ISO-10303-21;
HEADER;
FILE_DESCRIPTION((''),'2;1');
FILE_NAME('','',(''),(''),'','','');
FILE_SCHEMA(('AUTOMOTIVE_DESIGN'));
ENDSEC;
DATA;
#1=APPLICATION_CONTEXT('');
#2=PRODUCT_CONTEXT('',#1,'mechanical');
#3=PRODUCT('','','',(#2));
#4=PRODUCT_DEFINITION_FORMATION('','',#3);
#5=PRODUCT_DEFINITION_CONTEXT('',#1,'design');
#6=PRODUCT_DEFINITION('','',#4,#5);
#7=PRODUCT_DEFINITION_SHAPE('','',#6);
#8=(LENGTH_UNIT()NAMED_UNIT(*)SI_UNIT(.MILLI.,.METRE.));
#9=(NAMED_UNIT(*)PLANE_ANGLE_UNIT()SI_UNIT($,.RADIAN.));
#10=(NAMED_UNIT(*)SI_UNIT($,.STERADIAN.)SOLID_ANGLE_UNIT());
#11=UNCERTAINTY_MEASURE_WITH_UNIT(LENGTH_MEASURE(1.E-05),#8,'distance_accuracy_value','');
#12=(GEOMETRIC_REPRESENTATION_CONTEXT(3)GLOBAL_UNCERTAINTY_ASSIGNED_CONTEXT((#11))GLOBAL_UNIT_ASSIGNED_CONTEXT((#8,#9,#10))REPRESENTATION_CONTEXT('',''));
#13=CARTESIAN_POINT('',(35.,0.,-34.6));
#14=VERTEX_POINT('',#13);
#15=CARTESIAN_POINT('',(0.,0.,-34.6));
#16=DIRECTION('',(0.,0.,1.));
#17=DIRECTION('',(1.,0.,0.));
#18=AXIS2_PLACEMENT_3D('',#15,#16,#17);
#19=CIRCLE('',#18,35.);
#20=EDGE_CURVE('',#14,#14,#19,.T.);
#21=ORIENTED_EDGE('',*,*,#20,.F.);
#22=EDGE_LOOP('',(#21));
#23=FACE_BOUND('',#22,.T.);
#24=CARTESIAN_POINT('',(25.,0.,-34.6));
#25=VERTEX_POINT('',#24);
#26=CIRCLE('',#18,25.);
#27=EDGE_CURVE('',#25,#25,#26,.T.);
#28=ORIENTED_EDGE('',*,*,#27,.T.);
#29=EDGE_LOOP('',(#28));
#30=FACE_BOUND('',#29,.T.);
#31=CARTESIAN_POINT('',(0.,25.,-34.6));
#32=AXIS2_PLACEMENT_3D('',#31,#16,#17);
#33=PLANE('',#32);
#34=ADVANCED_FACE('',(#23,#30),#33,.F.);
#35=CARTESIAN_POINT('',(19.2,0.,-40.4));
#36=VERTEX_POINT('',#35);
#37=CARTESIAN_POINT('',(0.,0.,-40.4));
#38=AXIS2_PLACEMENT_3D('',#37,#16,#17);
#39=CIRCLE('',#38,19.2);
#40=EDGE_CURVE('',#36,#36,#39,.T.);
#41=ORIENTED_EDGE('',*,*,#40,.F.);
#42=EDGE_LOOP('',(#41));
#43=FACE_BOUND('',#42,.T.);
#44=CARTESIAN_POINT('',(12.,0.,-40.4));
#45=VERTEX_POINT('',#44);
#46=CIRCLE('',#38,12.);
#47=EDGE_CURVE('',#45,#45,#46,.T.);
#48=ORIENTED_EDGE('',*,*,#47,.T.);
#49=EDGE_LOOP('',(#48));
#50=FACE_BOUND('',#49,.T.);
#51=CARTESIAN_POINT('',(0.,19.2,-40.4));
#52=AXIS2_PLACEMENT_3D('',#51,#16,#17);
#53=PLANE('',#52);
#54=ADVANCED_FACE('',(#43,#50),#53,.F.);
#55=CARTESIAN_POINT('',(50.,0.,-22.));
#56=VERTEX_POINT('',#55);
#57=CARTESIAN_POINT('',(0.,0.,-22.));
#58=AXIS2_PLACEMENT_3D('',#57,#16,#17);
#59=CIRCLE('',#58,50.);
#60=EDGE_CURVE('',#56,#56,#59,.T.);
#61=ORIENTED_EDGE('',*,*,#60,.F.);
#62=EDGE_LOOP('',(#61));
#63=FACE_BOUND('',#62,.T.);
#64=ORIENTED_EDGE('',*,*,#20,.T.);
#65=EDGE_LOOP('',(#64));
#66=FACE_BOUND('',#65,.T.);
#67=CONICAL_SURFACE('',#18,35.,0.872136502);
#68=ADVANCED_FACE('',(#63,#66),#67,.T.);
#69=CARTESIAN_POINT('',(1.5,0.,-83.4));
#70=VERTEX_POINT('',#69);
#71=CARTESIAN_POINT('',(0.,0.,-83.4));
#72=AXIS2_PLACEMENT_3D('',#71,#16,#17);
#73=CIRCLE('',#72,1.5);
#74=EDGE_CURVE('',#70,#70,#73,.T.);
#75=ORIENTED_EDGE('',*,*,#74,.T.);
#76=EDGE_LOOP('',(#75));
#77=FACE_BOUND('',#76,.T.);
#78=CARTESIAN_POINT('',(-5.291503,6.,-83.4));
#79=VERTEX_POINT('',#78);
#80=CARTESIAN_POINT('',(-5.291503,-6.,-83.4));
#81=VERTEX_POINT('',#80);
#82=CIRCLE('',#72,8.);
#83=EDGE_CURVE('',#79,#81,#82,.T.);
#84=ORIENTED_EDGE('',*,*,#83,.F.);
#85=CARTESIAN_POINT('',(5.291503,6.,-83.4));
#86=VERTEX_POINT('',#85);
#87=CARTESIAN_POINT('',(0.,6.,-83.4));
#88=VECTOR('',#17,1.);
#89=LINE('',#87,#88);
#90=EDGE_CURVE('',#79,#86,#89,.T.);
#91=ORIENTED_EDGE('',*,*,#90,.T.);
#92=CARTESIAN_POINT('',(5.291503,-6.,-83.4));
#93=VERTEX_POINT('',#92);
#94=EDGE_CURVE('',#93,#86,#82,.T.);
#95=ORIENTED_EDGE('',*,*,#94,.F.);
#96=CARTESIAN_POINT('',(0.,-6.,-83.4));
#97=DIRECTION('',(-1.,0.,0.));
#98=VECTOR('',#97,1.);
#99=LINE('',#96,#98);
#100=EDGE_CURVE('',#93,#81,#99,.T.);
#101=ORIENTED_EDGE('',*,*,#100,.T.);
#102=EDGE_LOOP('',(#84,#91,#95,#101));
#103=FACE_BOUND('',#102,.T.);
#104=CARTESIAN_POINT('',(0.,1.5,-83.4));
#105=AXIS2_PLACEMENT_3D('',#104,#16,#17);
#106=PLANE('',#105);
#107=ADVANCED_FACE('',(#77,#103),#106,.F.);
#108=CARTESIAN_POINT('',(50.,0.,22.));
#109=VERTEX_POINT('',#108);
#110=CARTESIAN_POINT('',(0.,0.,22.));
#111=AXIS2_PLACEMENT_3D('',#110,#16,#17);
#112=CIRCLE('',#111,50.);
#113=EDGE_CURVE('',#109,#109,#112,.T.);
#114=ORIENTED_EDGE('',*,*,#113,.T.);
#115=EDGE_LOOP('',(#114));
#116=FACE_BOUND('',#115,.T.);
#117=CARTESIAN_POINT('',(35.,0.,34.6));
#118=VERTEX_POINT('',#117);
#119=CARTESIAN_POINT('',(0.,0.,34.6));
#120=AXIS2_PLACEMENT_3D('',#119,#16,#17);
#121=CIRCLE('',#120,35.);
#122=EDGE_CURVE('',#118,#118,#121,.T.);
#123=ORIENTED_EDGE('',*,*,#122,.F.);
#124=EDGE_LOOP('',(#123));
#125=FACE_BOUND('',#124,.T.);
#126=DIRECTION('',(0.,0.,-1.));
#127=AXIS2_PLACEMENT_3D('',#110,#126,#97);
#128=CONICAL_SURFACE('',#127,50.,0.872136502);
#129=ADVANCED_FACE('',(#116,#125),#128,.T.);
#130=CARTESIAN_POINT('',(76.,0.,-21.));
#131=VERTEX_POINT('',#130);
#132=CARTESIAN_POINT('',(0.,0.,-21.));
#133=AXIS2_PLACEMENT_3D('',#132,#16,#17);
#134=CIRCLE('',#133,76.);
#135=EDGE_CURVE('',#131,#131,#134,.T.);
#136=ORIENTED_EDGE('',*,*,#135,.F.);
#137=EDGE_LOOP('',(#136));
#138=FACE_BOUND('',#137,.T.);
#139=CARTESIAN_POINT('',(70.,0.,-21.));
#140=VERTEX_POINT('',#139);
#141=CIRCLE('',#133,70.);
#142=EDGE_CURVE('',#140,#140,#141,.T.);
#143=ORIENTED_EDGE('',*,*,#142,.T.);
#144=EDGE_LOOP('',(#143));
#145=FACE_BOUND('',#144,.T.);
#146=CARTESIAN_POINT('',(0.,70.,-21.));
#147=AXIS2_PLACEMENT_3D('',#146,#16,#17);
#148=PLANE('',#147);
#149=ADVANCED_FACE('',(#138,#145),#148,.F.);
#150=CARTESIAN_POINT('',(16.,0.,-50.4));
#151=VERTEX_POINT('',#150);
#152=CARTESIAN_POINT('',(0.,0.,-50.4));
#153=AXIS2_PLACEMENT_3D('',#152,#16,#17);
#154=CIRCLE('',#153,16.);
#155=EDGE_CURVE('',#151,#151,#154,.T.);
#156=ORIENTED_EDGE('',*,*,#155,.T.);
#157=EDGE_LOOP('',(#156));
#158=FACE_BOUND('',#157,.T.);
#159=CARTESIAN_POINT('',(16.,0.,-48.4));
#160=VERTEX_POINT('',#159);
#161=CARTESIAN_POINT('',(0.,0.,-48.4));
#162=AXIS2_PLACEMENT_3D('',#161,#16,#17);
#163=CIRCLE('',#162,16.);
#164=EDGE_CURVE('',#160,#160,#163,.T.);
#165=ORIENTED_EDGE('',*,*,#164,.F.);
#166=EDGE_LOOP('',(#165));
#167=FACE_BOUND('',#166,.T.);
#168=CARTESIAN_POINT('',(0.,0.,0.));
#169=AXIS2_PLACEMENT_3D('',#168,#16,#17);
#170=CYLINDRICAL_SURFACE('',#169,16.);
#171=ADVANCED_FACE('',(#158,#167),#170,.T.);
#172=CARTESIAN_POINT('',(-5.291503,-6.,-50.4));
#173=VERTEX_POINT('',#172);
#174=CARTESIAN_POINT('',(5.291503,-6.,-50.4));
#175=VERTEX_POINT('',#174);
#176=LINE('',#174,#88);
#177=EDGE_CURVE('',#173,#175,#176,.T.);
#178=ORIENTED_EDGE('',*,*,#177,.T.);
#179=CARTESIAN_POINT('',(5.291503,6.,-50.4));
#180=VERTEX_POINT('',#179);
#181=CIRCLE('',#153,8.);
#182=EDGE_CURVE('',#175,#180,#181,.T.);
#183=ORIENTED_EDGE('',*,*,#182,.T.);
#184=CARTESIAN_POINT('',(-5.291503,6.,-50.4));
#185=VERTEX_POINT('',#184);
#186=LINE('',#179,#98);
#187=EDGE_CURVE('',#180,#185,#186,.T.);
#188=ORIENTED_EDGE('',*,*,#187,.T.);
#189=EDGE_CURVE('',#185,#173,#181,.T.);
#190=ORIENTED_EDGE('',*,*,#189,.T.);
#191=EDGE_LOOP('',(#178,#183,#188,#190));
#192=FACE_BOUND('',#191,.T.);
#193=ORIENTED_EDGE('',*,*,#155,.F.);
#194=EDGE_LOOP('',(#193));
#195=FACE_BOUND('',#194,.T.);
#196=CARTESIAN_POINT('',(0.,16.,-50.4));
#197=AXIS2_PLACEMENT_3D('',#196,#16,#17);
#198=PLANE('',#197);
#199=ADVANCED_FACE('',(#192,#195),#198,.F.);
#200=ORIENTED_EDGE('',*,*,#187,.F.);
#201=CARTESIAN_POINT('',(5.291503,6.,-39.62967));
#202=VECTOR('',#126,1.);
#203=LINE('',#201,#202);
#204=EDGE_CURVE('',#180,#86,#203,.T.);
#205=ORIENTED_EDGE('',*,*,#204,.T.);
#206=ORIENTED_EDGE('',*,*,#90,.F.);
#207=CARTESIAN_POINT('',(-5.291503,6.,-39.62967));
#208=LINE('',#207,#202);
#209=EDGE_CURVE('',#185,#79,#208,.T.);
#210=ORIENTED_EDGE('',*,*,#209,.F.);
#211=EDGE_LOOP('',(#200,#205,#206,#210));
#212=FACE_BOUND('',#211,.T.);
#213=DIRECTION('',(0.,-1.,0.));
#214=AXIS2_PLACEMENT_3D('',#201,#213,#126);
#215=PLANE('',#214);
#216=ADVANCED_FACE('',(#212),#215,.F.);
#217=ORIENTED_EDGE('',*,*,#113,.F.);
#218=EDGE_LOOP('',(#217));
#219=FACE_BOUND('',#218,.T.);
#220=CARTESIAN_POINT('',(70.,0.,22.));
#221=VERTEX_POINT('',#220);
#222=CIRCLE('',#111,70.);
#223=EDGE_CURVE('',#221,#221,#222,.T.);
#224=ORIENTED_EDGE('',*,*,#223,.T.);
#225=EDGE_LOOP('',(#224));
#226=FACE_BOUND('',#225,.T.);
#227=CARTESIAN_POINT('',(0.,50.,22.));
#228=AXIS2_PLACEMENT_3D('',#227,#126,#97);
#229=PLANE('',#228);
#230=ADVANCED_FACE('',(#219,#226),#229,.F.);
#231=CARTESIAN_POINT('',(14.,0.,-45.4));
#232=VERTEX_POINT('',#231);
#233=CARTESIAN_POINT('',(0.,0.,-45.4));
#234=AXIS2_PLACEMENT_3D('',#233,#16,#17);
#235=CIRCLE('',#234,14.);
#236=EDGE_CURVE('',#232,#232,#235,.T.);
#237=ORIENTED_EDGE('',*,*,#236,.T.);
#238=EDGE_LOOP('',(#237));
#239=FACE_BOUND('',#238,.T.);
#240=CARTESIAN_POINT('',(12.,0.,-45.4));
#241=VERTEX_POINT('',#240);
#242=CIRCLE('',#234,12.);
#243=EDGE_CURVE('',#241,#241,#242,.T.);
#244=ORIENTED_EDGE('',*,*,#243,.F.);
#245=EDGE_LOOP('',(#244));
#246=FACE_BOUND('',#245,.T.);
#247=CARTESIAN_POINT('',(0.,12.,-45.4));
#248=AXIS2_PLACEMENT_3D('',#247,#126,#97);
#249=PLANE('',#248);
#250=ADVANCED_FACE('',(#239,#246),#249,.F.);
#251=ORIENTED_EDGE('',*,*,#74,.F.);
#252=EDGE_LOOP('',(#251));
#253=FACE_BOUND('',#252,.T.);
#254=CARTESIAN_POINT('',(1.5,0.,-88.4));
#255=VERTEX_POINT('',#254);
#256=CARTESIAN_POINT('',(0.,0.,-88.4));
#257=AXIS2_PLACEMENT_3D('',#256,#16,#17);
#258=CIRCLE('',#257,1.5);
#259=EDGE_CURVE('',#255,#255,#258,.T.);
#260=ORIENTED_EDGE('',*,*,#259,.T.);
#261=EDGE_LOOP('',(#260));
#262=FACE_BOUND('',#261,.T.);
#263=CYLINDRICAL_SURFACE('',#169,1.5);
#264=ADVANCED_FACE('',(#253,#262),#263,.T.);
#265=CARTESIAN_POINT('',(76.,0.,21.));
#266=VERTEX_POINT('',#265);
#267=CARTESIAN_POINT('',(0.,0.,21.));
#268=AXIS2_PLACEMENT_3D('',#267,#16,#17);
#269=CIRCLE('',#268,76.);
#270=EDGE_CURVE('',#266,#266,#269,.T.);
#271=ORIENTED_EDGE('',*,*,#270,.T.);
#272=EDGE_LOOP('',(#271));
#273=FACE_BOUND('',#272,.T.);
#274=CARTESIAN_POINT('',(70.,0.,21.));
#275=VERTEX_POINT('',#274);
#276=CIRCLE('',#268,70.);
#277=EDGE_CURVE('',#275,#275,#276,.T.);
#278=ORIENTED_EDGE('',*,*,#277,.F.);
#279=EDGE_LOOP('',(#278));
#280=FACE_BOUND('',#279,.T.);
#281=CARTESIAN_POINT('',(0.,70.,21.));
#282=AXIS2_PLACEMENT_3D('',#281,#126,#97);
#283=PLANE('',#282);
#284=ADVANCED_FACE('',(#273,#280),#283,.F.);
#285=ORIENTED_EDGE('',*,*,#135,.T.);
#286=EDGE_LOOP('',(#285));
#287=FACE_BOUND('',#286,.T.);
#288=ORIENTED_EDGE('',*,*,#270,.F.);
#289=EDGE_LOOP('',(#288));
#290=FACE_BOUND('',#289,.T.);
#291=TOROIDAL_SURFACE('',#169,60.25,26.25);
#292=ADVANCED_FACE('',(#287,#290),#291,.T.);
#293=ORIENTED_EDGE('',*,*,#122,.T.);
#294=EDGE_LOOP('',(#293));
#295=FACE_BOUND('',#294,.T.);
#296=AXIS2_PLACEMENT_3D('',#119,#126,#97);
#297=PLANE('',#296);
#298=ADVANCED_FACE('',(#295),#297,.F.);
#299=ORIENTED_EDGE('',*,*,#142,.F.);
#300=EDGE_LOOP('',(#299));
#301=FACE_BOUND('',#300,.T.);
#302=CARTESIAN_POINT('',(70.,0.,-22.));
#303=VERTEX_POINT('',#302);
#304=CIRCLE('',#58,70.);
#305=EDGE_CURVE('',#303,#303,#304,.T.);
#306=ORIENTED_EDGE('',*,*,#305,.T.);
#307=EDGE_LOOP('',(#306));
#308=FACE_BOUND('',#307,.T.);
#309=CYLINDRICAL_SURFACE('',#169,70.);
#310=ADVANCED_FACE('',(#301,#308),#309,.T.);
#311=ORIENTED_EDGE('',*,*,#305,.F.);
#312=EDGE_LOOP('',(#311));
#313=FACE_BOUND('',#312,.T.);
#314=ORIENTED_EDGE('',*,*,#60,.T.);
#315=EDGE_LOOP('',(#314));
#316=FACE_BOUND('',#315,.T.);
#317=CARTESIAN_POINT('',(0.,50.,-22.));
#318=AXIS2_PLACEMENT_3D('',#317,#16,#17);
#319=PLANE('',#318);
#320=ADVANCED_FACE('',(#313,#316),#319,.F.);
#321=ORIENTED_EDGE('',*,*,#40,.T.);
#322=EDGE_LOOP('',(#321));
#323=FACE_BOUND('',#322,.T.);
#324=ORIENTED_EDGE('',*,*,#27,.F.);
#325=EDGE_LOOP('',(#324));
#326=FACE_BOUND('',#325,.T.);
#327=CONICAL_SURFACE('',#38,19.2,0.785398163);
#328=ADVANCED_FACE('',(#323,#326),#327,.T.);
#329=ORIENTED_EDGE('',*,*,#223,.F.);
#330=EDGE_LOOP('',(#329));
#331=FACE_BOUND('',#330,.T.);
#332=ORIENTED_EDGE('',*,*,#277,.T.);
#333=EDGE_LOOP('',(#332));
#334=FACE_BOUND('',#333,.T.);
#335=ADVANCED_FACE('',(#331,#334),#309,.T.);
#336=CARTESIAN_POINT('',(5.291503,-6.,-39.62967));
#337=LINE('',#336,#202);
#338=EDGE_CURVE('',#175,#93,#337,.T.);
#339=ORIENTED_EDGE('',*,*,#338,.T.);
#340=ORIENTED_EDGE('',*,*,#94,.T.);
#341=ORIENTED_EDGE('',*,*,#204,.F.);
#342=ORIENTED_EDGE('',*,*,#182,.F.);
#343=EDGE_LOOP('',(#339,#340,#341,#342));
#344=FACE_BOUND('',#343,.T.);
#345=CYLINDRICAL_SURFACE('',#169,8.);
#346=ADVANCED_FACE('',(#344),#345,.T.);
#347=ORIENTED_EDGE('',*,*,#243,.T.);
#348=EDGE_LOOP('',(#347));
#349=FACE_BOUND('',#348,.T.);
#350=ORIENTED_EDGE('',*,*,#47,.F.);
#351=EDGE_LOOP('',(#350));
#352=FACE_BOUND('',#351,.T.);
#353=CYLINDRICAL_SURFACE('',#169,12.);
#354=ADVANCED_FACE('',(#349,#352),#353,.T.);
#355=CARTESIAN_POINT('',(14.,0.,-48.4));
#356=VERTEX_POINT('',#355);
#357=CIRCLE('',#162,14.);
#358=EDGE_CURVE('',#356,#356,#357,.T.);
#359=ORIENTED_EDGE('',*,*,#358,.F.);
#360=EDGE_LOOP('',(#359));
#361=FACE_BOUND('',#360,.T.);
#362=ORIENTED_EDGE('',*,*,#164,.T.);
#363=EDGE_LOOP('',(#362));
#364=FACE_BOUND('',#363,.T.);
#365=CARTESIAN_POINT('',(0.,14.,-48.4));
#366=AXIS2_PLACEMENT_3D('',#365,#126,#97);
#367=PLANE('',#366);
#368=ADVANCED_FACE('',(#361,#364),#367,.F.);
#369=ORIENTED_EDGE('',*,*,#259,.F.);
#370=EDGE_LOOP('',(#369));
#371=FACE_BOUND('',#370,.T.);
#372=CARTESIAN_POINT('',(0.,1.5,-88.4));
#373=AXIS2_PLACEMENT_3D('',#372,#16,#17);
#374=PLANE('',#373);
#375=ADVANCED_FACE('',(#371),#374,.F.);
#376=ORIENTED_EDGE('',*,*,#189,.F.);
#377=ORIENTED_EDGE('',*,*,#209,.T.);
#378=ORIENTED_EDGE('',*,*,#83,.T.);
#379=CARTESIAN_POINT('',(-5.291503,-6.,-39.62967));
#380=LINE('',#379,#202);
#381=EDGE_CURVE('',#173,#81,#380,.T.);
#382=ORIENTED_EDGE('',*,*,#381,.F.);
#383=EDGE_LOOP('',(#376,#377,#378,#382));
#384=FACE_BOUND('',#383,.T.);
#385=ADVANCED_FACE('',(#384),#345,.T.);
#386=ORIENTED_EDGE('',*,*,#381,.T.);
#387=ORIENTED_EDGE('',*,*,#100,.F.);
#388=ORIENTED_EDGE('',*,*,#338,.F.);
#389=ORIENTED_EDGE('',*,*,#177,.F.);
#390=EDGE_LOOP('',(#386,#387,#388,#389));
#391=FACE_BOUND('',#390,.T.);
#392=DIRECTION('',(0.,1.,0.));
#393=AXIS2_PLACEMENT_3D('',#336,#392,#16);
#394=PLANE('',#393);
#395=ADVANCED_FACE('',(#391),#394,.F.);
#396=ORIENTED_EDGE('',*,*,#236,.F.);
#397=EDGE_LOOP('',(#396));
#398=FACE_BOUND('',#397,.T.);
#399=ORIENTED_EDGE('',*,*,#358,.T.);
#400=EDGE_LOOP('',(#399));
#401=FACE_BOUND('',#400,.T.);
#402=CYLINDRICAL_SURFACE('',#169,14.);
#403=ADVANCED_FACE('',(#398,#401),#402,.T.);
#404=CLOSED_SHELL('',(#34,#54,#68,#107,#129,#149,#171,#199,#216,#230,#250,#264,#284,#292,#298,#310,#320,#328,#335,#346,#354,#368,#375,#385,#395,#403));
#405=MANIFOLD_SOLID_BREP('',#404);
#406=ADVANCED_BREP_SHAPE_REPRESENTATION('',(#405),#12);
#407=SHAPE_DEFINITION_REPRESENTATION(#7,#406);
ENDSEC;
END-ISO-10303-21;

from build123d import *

# Parameters (mm, degrees)
CUT_EXTRUDE_1_DEPTH      = 170.966173207
CUT_EXTRUDE_1_DEPTH_BACK = 33


with BuildPart() as part:
    # 草图1 → 旋转1 (revolve)
    with BuildSketch(Plane(origin=(0, 0, 0), x_dir=(0, 0, -1), z_dir=(1, 0, 0)), mode=Mode.PRIVATE) as revolve_1_sk:
        with BuildLine():
            Line((-34.6, 0), (-34.6, 35))
            Line((-34.6, 35), (-22, 50))
            Line((-22, 50), (-22, 70))
            Line((-22, 70), (-21, 70))
            Line((-21, 70), (-21, 76))
            ThreePointArc((-21, 76), (0, 86.5), (21, 76))
            Line((21, 76), (21, 70))
            Line((21, 70), (22, 70))
            Line((22, 70), (22, 50))
            Line((22, 50), (34.6, 35))
            Line((34.6, 35), (34.6, 25))
            Line((34.6, 25), (40.4, 19.2))
            Line((40.4, 19.2), (40.4, 12))
            Line((40.4, 12), (45.4, 12))
            Line((45.4, 12), (45.4, 14))
            Line((45.4, 14), (48.4, 14))
            Line((48.4, 14), (48.4, 16))
            Line((48.4, 16), (50.4, 16))
            Line((50.4, 16), (50.4, 8))
            Line((50.4, 8), (83.4, 8))
            Line((83.4, 8), (83.4, 1.5))
            Line((83.4, 1.5), (88.4, 1.5))
            Line((88.4, 1.5), (88.4, 0))
            Line((88.4, 0), (-34.6, 0))
        make_face()
    revolve(revolve_1_sk.sketch.rotate(Axis((0, 0, 0), (0, 0, -1)), 90), axis=Axis((0, 0, 0), (0, 0, -1)))

    # 草图2 → 切除-拉伸1 (cut, two sides: drawn at the far end of the back side and taken through both)
    with BuildSketch(Plane(origin=(0, 0, -83.4), x_dir=(-1, 0, 0), z_dir=(0, 0, -1)).offset(-CUT_EXTRUDE_1_DEPTH_BACK)):
        with BuildLine():
            Line((-5.291502622, 6), (5.291502622, 6))
            ThreePointArc((5.291502622, 6), (0, 8), (-5.291502622, 6))
        make_face()
        with BuildLine():
            Line((-5.291502622, -6), (5.291502622, -6))
            ThreePointArc((5.291502622, -6), (0, -8), (-5.291502622, -6))
        make_face()
    extrude(amount=CUT_EXTRUDE_1_DEPTH + CUT_EXTRUDE_1_DEPTH_BACK, mode=Mode.SUBTRACT)


solid = part.part
